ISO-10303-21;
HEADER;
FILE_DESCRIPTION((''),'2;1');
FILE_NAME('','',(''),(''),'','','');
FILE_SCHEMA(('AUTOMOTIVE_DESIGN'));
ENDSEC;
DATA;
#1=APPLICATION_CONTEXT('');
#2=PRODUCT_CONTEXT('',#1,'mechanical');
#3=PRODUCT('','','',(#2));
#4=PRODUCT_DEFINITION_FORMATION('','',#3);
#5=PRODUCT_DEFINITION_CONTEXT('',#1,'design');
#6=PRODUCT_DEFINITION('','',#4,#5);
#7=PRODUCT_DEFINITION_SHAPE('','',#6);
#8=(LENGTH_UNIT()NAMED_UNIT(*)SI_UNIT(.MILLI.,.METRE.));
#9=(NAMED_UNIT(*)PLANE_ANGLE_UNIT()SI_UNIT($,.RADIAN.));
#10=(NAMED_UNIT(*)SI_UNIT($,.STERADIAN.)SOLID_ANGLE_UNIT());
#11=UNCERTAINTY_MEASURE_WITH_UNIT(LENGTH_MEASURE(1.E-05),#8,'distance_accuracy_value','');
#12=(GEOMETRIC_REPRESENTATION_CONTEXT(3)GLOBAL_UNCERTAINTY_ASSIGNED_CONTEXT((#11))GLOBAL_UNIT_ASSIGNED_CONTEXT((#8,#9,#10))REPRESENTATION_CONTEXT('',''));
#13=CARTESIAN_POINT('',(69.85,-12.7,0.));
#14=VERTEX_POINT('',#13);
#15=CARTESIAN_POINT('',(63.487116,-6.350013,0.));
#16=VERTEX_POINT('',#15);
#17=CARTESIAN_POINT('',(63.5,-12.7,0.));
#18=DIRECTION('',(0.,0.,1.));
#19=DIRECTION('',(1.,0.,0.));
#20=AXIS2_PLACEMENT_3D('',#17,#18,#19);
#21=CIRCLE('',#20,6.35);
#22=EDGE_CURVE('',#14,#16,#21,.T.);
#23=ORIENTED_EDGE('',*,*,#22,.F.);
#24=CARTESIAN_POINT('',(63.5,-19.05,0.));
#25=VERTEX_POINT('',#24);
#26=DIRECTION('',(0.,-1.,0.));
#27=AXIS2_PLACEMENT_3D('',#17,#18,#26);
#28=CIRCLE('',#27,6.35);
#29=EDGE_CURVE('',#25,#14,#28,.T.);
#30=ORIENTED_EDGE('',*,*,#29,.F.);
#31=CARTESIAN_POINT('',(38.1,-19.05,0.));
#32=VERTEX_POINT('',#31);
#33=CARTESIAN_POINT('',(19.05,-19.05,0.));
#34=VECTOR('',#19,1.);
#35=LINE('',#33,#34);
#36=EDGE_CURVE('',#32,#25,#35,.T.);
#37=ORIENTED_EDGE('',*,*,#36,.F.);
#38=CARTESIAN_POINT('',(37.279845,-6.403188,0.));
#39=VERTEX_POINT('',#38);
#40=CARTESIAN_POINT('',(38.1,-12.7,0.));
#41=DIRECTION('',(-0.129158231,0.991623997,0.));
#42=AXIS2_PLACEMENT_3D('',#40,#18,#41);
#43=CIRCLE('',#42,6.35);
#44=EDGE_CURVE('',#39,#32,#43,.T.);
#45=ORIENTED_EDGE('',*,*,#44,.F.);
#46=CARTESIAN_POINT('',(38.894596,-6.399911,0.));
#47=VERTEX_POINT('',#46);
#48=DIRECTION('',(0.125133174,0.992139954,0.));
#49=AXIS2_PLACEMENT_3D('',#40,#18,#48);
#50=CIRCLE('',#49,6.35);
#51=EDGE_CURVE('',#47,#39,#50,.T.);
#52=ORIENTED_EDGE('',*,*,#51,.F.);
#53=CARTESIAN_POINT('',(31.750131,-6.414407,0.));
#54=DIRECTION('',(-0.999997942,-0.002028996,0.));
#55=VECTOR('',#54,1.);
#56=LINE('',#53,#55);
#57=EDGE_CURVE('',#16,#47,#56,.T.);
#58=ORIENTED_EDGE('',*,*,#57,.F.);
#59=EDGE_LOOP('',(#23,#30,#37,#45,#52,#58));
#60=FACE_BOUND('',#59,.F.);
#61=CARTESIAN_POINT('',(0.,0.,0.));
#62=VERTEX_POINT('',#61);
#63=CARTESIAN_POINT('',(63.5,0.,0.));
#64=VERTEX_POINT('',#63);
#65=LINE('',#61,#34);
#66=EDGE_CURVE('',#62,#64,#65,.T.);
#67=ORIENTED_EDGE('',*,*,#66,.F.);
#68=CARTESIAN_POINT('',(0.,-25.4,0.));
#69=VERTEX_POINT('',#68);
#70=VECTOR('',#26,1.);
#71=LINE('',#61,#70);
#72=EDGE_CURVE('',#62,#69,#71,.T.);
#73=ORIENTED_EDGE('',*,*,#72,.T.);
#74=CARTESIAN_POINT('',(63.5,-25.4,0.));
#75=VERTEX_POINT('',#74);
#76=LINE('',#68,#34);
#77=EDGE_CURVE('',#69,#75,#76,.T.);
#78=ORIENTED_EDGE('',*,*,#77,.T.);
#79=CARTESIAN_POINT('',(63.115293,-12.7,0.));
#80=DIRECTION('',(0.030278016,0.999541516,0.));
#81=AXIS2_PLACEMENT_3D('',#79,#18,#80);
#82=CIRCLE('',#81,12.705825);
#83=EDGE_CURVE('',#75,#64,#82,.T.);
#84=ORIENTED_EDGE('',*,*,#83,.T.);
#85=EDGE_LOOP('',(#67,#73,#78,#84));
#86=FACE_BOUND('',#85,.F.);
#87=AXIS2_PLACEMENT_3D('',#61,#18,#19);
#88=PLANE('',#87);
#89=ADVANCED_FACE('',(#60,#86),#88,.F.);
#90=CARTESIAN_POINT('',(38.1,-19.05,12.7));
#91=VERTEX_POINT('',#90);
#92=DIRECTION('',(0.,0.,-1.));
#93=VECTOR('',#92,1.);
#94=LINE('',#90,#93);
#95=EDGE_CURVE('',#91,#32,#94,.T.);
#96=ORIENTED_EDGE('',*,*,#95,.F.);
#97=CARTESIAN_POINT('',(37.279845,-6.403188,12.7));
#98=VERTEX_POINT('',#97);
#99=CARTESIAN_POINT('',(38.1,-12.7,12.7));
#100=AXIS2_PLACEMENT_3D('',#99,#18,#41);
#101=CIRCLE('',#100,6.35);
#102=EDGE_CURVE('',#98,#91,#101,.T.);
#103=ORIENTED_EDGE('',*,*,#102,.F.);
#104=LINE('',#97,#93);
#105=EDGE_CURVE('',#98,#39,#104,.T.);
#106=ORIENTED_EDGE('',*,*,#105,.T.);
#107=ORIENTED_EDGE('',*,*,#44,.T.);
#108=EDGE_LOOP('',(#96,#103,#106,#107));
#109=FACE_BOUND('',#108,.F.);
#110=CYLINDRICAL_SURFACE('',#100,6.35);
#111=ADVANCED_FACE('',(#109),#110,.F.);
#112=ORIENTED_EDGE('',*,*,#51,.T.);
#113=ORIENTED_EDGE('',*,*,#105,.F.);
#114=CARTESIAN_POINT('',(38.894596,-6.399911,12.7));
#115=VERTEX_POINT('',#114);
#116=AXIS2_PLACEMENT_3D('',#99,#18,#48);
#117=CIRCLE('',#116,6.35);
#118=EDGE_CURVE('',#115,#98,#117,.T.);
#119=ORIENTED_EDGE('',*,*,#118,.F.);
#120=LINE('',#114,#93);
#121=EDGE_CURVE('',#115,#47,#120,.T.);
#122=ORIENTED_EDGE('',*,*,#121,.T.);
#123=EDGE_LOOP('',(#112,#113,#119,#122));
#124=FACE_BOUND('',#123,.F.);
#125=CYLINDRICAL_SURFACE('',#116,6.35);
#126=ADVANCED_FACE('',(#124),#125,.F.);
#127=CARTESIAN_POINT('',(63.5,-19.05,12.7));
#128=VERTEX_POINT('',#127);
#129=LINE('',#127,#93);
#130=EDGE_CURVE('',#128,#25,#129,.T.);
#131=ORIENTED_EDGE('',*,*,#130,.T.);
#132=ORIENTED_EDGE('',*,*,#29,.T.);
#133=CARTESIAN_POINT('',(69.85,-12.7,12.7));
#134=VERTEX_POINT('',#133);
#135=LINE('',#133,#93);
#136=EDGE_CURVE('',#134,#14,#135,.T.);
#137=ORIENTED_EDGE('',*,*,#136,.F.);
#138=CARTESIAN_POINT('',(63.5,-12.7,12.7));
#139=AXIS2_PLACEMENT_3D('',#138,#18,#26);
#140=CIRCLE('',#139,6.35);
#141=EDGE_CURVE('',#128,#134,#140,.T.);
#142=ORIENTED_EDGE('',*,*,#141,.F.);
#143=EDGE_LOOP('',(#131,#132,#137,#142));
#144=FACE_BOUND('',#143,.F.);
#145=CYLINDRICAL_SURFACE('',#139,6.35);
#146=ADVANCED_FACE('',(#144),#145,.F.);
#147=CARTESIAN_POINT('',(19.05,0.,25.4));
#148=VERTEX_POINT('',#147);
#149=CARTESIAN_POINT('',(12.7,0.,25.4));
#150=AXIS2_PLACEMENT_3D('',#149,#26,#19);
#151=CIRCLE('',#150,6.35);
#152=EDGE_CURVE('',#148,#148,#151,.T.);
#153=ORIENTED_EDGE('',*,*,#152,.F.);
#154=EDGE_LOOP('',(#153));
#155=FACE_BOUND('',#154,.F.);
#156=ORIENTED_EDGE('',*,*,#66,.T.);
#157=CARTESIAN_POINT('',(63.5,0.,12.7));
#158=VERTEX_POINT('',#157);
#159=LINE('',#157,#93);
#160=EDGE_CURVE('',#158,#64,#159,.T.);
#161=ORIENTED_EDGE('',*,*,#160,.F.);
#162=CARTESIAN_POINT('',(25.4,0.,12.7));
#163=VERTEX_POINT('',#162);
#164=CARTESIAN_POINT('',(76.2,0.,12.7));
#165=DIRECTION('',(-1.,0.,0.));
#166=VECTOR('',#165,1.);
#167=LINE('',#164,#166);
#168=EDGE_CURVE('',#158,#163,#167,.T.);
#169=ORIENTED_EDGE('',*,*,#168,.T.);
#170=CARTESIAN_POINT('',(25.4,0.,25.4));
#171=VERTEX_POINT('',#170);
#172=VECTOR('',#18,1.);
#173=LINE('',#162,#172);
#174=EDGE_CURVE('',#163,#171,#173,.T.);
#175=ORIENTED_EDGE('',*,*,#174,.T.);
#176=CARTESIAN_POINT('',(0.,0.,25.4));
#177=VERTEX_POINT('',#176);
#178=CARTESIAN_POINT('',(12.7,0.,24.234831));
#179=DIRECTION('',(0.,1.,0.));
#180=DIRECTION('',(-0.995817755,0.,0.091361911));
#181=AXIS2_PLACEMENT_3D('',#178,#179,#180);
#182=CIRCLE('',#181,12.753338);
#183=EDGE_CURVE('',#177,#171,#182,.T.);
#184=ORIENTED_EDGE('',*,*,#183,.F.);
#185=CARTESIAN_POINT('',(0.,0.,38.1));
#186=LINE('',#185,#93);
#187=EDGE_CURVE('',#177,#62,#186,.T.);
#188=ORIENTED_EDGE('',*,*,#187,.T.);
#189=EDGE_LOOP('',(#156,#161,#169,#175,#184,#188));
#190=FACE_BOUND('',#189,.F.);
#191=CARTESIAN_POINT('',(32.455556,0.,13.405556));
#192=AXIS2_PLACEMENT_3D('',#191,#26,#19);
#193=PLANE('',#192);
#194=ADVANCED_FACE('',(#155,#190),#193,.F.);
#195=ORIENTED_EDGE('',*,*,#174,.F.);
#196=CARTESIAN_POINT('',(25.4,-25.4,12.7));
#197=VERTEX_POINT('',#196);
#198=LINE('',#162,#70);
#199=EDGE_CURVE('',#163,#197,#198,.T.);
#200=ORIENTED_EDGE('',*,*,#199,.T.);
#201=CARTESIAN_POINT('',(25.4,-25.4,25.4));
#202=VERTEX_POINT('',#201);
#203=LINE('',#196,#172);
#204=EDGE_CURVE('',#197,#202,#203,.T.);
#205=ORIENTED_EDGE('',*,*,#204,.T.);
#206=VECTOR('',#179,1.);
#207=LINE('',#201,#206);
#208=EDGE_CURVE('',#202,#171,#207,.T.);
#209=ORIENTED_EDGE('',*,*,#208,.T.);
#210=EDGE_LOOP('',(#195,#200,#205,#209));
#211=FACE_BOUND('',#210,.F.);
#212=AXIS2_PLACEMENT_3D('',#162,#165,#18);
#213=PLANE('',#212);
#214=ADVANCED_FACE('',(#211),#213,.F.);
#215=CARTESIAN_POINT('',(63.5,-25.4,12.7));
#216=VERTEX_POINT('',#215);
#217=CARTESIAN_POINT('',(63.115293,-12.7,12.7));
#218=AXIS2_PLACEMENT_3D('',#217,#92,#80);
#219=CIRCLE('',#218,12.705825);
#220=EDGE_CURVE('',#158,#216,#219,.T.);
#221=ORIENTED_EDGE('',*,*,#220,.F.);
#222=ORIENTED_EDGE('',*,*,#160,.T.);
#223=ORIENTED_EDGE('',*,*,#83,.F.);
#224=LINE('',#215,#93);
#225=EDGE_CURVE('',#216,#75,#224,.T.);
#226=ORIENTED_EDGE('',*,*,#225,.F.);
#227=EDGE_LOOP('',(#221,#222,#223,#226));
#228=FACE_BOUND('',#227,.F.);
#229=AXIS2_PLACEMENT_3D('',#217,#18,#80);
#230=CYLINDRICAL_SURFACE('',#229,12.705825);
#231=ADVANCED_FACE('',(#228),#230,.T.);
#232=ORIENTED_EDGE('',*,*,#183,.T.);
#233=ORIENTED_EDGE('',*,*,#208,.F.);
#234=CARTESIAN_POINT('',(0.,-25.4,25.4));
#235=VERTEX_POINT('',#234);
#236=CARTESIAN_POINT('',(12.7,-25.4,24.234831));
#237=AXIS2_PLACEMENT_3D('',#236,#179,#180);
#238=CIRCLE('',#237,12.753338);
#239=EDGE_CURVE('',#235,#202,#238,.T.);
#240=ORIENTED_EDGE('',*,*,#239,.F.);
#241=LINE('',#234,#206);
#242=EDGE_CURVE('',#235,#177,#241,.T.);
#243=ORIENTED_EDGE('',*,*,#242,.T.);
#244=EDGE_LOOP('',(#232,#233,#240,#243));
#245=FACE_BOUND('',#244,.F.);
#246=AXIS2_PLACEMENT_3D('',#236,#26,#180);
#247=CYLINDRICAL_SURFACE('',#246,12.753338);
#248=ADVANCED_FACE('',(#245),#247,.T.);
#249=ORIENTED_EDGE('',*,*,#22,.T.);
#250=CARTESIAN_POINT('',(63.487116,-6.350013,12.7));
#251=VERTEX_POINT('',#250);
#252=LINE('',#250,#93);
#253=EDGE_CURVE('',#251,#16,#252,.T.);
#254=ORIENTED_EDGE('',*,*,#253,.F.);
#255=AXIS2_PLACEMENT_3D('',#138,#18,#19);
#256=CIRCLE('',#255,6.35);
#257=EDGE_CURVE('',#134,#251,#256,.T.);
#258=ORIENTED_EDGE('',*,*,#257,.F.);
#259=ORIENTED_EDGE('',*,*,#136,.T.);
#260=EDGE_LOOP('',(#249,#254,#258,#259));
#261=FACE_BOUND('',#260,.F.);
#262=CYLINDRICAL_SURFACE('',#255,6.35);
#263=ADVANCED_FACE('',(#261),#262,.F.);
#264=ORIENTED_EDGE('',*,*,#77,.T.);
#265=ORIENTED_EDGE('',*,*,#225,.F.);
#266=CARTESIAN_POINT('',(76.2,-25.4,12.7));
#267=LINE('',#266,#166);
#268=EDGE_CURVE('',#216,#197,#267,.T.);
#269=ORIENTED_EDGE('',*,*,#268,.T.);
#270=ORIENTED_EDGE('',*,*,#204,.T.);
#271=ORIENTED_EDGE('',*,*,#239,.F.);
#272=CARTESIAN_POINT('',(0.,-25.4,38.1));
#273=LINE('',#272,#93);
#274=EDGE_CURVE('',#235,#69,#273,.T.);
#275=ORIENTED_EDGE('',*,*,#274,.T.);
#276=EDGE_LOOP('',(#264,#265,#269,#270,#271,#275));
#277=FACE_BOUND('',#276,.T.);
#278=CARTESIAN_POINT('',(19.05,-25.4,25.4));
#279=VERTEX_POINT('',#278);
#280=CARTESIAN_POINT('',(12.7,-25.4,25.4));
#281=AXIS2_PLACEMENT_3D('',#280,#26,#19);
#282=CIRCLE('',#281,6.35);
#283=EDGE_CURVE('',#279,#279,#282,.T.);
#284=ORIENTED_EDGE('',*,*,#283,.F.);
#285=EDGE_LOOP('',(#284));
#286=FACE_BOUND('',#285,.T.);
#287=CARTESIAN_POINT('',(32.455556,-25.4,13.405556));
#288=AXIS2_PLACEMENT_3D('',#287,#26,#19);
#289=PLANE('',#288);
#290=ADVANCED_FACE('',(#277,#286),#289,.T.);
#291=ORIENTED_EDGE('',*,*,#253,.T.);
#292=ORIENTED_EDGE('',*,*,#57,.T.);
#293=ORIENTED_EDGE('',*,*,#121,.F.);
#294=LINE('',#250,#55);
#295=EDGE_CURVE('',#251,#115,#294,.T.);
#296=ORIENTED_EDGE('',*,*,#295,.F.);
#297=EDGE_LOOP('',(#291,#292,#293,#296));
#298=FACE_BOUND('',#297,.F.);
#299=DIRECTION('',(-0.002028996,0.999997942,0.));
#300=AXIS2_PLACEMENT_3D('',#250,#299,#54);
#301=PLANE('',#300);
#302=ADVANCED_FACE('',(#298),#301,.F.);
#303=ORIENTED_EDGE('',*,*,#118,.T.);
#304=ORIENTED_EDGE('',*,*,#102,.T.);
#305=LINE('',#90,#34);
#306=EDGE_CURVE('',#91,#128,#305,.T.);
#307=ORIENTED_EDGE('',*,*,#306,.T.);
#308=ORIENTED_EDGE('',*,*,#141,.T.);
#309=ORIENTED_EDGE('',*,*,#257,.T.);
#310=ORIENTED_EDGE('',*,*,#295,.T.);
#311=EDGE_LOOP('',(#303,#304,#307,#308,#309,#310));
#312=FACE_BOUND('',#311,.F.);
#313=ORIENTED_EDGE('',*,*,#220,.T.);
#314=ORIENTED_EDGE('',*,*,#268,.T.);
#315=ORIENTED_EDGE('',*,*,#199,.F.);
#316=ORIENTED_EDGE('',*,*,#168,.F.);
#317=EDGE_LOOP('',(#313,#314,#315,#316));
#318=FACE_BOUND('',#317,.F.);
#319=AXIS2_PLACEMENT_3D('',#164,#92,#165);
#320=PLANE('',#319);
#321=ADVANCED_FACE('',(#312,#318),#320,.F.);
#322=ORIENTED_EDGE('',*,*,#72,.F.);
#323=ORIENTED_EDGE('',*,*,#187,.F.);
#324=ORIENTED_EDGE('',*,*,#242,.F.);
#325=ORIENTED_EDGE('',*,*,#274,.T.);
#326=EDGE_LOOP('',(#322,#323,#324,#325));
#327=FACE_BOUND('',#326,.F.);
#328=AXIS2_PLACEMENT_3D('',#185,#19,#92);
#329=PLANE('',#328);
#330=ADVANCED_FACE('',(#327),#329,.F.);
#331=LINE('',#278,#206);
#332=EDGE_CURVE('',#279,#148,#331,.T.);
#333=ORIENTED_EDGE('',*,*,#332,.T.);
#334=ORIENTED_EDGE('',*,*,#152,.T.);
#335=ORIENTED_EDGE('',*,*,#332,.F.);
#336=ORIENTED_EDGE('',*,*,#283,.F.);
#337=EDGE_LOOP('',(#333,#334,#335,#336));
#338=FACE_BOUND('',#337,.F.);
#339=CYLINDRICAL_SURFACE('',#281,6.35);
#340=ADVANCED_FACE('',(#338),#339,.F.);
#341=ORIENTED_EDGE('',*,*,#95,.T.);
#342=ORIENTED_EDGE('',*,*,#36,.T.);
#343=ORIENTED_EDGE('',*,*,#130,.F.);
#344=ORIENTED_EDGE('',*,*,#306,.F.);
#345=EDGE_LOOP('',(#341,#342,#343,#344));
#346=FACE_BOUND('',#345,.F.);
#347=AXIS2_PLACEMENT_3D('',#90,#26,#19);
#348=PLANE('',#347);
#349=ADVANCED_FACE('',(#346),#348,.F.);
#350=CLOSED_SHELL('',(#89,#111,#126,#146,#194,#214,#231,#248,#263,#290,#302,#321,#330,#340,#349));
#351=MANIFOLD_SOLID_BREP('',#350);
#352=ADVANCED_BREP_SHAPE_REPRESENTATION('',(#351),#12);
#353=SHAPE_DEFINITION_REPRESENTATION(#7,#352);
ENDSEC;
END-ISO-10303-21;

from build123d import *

# Parameters (mm, degrees)
F1_DEPTH = 25.4
F2_R     = 6.35
F3_DEPTH = 25.4
F5_DEPTH = 25.4
F7_DEPTH = 25.4


with BuildPart() as f1:
    # F0 (on Front) → F1 (new body)
    with BuildSketch(Plane.XZ):
        Polygon((25.4, 38.1), (0, 38.1), (0, 0), (76.2, 0), (76.2, 12.7), (25.4, 12.7), align=None)
    extrude(amount=F1_DEPTH)

    # F2 (on face) → F3 (cut)
    with BuildSketch(Plane.XZ.offset(25.4)):
        with Locations((12.7, 25.4)):
            Circle(F2_R)
        with BuildLine():
            ThreePointArc((0, 25.4), (12.7, 36.9881682831), (25.4, 25.4))
            Line((25.4, 25.4), (25.4, 38.1))
            Line((25.4, 38.1), (0, 38.1))
            Line((0, 38.1), (0, 25.4))
        make_face()
    extrude(amount=-F3_DEPTH, mode=Mode.SUBTRACT)

    # F4 (on face) → F5 (cut)
    with BuildSketch(Plane.XY.offset(12.7)):
        with BuildLine():
            ThreePointArc((38.8945956535, -6.3999112905), (38.0871158775, -6.3500130709), (37.2798452362, -6.4031876188))
            Line((37.2798452362, -6.4031876188), (38.8945956535, -6.3999112905))
        make_face()
        with BuildLine():
            ThreePointArc((63.4871158775, -6.3500130709), (57.1500032677, -12.7064420645), (63.5, -19.05))
            Line((63.5, -19.05), (63.4871158775, -6.3500130709))
        make_face()
        with BuildLine():
            Line((63.4871158775, -6.3500130709), (63.5, -19.05))
            ThreePointArc((63.5, -19.05), (67.9901280605, -17.1901280605), (69.85, -12.7))
            ThreePointArc((69.85, -12.7), (67.9855705224, -8.2053190226), (63.4871158775, -6.3500130709))
        make_face()
        with BuildLine():
            ThreePointArc((44.45, -12.7), (42.5901280605, -17.1901280605), (38.1, -19.05))
            Line((38.1, -19.05), (63.5, -19.05))
            ThreePointArc((63.5, -19.05), (57.1500032677, -12.7064420645), (63.4871158775, -6.3500130709))
            Line((63.4871158775, -6.3500130709), (38.8945956535, -6.3999112905))
            ThreePointArc((38.8945956535, -6.3999112905), (42.8627818762, -8.5001894328), (44.45, -12.7))
        make_face()
        with BuildLine():
            Line((38.8945956535, -6.3999112905), (37.2798452362, -6.4031876188))
            Line((37.2798452362, -6.4031876188), (38.1, -19.05))
            ThreePointArc((38.1, -19.05), (42.5901280605, -17.1901280605), (44.45, -12.7))
            ThreePointArc((44.45, -12.7), (42.8627818762, -8.5001894328), (38.8945956535, -6.3999112905))
        make_face()
        with BuildLine():
            Line((38.1, -19.05), (37.2798452362, -6.4031876188))
            ThreePointArc((37.2798452362, -6.4031876188), (31.7633108558, -13.1109387909), (38.1, -19.05))
        make_face()
    extrude(amount=-F5_DEPTH, mode=Mode.SUBTRACT)

    # F6 (on face) → F7 (cut)
    with BuildSketch(Plane.XY.offset(12.7)):
        with BuildLine():
            ThreePointArc((63.5, 0), (75.8211182334, -12.7), (63.5, -25.4))
            Line((63.5, -25.4), (76.2, -25.4))
            Line((76.2, -25.4), (76.2, 0))
            Line((76.2, 0), (63.5, 0))
        make_face()
    extrude(amount=-F7_DEPTH, mode=Mode.SUBTRACT)


solid = f1.part
